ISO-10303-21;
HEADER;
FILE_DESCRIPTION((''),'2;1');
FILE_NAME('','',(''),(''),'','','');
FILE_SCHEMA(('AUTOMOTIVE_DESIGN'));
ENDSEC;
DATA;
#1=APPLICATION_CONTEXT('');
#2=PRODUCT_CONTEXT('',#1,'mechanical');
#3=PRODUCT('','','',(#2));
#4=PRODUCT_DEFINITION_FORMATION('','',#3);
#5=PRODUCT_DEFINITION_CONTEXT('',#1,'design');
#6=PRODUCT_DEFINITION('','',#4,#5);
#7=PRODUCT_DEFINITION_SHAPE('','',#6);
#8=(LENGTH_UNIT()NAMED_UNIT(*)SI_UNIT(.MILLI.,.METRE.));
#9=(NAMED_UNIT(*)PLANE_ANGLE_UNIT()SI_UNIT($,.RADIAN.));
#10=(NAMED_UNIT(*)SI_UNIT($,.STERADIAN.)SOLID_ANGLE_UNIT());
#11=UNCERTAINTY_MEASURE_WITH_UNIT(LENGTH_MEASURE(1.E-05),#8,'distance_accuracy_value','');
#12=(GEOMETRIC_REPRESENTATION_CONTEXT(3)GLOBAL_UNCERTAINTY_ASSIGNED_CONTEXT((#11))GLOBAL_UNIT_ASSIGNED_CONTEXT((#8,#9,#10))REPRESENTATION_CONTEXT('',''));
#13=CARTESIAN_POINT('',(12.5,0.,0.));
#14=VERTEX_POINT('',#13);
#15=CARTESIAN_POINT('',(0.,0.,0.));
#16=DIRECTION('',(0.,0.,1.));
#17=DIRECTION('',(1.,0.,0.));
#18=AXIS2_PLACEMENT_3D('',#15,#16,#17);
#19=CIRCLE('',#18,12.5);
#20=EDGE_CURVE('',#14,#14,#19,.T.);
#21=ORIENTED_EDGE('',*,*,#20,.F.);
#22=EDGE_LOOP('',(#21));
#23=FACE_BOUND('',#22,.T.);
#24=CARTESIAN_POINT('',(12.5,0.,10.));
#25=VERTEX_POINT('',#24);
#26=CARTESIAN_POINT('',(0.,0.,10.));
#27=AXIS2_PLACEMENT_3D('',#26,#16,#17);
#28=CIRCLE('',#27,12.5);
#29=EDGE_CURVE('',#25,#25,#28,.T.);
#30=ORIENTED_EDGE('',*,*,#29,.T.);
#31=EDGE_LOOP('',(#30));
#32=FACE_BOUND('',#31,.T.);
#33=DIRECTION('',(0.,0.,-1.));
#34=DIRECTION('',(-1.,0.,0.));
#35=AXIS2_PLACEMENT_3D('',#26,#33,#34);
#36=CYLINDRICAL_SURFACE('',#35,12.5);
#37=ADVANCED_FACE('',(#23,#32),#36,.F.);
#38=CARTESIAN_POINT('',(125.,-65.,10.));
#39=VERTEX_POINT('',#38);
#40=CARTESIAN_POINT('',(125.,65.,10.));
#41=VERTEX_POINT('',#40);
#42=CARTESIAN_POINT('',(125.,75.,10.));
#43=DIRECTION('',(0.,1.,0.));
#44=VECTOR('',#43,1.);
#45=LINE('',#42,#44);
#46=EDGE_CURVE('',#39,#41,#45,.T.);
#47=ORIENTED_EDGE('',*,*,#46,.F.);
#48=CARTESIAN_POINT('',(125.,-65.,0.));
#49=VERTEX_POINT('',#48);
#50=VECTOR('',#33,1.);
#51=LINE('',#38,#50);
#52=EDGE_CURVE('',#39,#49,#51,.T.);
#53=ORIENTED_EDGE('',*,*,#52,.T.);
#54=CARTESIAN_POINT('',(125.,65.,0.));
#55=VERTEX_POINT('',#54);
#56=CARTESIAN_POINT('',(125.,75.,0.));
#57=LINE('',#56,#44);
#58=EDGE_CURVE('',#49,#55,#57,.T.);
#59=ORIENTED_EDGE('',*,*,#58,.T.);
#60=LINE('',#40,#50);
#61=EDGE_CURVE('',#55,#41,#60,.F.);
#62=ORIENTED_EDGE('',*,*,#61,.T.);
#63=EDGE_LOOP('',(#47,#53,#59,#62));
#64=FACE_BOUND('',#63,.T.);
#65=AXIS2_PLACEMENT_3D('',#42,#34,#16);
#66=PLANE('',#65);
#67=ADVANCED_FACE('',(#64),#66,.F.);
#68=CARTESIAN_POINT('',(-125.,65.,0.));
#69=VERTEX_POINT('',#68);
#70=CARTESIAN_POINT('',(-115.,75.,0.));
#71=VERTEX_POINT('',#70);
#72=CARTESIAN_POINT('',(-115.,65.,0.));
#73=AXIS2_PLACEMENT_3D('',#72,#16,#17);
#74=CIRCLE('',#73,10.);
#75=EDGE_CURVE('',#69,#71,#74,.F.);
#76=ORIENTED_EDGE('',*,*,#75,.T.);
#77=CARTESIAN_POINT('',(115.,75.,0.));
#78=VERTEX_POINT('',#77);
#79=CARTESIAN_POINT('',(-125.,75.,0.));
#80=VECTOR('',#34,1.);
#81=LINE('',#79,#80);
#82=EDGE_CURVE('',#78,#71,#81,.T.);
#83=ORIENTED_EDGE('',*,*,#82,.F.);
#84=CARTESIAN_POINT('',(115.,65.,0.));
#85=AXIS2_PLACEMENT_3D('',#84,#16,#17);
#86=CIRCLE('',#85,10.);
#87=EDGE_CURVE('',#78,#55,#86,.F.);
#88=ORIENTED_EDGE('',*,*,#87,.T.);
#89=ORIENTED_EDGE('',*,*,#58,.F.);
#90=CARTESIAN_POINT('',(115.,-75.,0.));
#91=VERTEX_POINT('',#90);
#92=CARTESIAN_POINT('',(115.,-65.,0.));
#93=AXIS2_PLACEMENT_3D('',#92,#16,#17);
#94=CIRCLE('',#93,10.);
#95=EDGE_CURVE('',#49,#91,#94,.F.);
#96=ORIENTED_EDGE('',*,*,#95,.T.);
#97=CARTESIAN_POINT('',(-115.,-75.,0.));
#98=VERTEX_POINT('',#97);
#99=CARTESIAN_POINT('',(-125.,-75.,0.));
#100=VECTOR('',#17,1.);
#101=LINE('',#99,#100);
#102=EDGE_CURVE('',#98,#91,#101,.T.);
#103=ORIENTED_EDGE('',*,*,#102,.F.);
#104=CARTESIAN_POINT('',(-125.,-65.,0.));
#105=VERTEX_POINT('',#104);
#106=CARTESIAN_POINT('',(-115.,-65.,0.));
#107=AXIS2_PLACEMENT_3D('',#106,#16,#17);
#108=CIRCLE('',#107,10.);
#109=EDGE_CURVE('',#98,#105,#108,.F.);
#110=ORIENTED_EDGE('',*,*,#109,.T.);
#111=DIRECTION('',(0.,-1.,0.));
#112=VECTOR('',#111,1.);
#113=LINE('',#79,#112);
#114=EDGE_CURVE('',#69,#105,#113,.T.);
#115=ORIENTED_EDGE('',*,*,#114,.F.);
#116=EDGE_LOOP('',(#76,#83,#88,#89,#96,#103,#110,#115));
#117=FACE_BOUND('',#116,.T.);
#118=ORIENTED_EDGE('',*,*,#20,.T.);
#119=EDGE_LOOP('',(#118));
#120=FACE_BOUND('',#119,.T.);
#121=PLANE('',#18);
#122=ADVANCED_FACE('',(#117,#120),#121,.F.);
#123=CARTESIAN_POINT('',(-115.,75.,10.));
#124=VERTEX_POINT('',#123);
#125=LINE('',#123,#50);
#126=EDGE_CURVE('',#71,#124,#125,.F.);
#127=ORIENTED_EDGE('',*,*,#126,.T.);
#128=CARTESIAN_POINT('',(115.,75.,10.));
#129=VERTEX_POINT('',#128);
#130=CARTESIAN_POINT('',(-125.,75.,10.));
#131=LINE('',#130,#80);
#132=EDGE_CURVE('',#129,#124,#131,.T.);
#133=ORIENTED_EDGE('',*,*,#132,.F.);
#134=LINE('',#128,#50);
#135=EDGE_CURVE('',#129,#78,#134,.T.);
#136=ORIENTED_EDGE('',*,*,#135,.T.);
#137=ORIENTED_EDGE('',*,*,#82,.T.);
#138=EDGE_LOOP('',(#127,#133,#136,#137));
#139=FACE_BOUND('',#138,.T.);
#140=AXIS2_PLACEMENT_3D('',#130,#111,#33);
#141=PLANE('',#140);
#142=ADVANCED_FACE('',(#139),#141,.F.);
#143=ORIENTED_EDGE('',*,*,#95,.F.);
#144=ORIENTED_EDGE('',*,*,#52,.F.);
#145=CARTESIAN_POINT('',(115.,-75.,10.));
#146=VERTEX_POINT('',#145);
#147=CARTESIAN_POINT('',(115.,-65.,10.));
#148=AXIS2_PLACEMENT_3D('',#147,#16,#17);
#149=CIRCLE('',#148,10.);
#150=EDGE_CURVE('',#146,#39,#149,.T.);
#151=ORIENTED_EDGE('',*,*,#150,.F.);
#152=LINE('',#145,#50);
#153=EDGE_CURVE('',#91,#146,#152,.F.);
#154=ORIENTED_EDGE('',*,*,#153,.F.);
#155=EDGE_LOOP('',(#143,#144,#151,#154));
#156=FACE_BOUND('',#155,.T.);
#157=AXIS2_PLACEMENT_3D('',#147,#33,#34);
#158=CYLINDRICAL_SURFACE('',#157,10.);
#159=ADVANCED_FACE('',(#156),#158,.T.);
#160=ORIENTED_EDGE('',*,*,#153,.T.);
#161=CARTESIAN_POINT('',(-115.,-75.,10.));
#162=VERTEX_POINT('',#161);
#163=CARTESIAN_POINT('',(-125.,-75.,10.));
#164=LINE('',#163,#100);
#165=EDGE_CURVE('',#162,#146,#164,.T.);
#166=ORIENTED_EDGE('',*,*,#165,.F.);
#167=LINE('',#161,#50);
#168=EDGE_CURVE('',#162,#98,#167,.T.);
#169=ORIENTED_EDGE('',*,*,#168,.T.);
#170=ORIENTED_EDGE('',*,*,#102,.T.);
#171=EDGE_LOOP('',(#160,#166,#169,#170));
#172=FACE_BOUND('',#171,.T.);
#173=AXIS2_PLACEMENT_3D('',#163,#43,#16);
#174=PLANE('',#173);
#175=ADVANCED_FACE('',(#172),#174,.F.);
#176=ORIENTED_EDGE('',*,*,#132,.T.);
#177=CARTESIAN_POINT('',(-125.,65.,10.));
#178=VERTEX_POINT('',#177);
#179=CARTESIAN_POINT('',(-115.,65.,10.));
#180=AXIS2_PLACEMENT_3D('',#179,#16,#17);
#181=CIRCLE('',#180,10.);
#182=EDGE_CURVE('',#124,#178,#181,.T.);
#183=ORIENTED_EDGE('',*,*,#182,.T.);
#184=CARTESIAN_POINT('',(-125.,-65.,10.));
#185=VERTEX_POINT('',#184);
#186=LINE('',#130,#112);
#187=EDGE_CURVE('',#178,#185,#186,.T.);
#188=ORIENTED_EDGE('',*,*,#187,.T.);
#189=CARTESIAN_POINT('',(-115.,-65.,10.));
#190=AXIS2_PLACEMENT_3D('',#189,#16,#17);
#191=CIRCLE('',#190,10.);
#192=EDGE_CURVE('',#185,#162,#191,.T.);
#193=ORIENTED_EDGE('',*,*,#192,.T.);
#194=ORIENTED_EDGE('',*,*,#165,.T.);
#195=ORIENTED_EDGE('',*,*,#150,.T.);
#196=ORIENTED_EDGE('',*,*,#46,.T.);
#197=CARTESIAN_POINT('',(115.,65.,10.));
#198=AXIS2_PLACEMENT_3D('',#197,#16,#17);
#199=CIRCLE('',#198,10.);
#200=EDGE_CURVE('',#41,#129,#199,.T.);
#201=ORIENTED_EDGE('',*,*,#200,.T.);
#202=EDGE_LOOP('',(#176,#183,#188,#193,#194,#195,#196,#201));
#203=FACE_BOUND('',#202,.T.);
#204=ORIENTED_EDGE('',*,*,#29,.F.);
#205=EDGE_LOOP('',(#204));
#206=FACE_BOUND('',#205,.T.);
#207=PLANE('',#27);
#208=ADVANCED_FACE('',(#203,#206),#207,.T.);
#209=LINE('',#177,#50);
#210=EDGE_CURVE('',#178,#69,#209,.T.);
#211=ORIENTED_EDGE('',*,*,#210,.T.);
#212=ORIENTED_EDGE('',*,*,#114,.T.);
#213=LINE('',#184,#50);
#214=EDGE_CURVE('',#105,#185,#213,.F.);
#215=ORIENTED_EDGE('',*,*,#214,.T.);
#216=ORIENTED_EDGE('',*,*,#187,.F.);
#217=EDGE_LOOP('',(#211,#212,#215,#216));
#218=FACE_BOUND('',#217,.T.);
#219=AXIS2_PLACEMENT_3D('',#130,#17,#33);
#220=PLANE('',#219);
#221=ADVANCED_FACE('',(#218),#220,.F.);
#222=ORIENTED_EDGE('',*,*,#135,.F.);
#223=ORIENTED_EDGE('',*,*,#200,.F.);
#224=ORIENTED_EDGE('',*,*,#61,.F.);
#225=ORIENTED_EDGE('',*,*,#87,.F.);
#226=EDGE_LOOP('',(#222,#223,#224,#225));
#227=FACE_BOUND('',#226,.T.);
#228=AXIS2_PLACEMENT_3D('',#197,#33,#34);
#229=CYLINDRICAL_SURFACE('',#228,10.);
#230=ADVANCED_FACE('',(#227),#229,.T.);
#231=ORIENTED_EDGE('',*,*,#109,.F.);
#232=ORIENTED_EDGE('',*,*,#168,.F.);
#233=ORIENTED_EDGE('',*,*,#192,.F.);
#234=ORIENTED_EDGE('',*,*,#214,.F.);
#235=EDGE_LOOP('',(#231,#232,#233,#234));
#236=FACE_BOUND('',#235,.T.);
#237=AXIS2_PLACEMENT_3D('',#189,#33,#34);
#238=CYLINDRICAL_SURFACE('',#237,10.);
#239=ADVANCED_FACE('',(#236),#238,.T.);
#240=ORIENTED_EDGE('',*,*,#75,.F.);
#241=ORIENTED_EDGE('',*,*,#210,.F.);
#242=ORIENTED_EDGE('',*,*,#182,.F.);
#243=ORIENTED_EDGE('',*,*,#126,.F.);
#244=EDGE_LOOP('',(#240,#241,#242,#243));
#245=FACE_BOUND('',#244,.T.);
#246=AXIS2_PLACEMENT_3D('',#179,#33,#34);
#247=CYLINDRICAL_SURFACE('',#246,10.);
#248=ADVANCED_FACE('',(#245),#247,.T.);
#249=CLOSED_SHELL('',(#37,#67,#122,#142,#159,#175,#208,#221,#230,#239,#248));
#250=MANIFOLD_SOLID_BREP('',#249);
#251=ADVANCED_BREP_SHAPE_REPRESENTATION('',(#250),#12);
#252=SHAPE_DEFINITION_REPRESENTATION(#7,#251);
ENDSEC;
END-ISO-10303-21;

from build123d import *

# Parameters (mm, degrees)
SKIZZE1_W                       = 250
SKIZZE1_H                       = 150
SKIZZE1_R                       = 12.5
AUFSATZ_LINEAR_AUSTRAGEN1_DEPTH = 10
VERRUNDUNG1_R                   = 10


with BuildPart() as part:
    # Skizze1 → Aufsatz-Linear austragen1 (new body)
    with BuildSketch(Plane.XY):
        Rectangle(SKIZZE1_W, SKIZZE1_H)
        Circle(SKIZZE1_R, mode=Mode.SUBTRACT)
    extrude(amount=AUFSATZ_LINEAR_AUSTRAGEN1_DEPTH)

    # Verrundung1
    verrundung1_edges = [part.edges().sort_by_distance(p)[0] for p in [
        (-125, 75, 5),
        (125, 75, 5),
        (125, -75, 5),
        (-125, -75, 5),
    ]]
    fillet(verrundung1_edges, radius=VERRUNDUNG1_R)


solid = part.part
